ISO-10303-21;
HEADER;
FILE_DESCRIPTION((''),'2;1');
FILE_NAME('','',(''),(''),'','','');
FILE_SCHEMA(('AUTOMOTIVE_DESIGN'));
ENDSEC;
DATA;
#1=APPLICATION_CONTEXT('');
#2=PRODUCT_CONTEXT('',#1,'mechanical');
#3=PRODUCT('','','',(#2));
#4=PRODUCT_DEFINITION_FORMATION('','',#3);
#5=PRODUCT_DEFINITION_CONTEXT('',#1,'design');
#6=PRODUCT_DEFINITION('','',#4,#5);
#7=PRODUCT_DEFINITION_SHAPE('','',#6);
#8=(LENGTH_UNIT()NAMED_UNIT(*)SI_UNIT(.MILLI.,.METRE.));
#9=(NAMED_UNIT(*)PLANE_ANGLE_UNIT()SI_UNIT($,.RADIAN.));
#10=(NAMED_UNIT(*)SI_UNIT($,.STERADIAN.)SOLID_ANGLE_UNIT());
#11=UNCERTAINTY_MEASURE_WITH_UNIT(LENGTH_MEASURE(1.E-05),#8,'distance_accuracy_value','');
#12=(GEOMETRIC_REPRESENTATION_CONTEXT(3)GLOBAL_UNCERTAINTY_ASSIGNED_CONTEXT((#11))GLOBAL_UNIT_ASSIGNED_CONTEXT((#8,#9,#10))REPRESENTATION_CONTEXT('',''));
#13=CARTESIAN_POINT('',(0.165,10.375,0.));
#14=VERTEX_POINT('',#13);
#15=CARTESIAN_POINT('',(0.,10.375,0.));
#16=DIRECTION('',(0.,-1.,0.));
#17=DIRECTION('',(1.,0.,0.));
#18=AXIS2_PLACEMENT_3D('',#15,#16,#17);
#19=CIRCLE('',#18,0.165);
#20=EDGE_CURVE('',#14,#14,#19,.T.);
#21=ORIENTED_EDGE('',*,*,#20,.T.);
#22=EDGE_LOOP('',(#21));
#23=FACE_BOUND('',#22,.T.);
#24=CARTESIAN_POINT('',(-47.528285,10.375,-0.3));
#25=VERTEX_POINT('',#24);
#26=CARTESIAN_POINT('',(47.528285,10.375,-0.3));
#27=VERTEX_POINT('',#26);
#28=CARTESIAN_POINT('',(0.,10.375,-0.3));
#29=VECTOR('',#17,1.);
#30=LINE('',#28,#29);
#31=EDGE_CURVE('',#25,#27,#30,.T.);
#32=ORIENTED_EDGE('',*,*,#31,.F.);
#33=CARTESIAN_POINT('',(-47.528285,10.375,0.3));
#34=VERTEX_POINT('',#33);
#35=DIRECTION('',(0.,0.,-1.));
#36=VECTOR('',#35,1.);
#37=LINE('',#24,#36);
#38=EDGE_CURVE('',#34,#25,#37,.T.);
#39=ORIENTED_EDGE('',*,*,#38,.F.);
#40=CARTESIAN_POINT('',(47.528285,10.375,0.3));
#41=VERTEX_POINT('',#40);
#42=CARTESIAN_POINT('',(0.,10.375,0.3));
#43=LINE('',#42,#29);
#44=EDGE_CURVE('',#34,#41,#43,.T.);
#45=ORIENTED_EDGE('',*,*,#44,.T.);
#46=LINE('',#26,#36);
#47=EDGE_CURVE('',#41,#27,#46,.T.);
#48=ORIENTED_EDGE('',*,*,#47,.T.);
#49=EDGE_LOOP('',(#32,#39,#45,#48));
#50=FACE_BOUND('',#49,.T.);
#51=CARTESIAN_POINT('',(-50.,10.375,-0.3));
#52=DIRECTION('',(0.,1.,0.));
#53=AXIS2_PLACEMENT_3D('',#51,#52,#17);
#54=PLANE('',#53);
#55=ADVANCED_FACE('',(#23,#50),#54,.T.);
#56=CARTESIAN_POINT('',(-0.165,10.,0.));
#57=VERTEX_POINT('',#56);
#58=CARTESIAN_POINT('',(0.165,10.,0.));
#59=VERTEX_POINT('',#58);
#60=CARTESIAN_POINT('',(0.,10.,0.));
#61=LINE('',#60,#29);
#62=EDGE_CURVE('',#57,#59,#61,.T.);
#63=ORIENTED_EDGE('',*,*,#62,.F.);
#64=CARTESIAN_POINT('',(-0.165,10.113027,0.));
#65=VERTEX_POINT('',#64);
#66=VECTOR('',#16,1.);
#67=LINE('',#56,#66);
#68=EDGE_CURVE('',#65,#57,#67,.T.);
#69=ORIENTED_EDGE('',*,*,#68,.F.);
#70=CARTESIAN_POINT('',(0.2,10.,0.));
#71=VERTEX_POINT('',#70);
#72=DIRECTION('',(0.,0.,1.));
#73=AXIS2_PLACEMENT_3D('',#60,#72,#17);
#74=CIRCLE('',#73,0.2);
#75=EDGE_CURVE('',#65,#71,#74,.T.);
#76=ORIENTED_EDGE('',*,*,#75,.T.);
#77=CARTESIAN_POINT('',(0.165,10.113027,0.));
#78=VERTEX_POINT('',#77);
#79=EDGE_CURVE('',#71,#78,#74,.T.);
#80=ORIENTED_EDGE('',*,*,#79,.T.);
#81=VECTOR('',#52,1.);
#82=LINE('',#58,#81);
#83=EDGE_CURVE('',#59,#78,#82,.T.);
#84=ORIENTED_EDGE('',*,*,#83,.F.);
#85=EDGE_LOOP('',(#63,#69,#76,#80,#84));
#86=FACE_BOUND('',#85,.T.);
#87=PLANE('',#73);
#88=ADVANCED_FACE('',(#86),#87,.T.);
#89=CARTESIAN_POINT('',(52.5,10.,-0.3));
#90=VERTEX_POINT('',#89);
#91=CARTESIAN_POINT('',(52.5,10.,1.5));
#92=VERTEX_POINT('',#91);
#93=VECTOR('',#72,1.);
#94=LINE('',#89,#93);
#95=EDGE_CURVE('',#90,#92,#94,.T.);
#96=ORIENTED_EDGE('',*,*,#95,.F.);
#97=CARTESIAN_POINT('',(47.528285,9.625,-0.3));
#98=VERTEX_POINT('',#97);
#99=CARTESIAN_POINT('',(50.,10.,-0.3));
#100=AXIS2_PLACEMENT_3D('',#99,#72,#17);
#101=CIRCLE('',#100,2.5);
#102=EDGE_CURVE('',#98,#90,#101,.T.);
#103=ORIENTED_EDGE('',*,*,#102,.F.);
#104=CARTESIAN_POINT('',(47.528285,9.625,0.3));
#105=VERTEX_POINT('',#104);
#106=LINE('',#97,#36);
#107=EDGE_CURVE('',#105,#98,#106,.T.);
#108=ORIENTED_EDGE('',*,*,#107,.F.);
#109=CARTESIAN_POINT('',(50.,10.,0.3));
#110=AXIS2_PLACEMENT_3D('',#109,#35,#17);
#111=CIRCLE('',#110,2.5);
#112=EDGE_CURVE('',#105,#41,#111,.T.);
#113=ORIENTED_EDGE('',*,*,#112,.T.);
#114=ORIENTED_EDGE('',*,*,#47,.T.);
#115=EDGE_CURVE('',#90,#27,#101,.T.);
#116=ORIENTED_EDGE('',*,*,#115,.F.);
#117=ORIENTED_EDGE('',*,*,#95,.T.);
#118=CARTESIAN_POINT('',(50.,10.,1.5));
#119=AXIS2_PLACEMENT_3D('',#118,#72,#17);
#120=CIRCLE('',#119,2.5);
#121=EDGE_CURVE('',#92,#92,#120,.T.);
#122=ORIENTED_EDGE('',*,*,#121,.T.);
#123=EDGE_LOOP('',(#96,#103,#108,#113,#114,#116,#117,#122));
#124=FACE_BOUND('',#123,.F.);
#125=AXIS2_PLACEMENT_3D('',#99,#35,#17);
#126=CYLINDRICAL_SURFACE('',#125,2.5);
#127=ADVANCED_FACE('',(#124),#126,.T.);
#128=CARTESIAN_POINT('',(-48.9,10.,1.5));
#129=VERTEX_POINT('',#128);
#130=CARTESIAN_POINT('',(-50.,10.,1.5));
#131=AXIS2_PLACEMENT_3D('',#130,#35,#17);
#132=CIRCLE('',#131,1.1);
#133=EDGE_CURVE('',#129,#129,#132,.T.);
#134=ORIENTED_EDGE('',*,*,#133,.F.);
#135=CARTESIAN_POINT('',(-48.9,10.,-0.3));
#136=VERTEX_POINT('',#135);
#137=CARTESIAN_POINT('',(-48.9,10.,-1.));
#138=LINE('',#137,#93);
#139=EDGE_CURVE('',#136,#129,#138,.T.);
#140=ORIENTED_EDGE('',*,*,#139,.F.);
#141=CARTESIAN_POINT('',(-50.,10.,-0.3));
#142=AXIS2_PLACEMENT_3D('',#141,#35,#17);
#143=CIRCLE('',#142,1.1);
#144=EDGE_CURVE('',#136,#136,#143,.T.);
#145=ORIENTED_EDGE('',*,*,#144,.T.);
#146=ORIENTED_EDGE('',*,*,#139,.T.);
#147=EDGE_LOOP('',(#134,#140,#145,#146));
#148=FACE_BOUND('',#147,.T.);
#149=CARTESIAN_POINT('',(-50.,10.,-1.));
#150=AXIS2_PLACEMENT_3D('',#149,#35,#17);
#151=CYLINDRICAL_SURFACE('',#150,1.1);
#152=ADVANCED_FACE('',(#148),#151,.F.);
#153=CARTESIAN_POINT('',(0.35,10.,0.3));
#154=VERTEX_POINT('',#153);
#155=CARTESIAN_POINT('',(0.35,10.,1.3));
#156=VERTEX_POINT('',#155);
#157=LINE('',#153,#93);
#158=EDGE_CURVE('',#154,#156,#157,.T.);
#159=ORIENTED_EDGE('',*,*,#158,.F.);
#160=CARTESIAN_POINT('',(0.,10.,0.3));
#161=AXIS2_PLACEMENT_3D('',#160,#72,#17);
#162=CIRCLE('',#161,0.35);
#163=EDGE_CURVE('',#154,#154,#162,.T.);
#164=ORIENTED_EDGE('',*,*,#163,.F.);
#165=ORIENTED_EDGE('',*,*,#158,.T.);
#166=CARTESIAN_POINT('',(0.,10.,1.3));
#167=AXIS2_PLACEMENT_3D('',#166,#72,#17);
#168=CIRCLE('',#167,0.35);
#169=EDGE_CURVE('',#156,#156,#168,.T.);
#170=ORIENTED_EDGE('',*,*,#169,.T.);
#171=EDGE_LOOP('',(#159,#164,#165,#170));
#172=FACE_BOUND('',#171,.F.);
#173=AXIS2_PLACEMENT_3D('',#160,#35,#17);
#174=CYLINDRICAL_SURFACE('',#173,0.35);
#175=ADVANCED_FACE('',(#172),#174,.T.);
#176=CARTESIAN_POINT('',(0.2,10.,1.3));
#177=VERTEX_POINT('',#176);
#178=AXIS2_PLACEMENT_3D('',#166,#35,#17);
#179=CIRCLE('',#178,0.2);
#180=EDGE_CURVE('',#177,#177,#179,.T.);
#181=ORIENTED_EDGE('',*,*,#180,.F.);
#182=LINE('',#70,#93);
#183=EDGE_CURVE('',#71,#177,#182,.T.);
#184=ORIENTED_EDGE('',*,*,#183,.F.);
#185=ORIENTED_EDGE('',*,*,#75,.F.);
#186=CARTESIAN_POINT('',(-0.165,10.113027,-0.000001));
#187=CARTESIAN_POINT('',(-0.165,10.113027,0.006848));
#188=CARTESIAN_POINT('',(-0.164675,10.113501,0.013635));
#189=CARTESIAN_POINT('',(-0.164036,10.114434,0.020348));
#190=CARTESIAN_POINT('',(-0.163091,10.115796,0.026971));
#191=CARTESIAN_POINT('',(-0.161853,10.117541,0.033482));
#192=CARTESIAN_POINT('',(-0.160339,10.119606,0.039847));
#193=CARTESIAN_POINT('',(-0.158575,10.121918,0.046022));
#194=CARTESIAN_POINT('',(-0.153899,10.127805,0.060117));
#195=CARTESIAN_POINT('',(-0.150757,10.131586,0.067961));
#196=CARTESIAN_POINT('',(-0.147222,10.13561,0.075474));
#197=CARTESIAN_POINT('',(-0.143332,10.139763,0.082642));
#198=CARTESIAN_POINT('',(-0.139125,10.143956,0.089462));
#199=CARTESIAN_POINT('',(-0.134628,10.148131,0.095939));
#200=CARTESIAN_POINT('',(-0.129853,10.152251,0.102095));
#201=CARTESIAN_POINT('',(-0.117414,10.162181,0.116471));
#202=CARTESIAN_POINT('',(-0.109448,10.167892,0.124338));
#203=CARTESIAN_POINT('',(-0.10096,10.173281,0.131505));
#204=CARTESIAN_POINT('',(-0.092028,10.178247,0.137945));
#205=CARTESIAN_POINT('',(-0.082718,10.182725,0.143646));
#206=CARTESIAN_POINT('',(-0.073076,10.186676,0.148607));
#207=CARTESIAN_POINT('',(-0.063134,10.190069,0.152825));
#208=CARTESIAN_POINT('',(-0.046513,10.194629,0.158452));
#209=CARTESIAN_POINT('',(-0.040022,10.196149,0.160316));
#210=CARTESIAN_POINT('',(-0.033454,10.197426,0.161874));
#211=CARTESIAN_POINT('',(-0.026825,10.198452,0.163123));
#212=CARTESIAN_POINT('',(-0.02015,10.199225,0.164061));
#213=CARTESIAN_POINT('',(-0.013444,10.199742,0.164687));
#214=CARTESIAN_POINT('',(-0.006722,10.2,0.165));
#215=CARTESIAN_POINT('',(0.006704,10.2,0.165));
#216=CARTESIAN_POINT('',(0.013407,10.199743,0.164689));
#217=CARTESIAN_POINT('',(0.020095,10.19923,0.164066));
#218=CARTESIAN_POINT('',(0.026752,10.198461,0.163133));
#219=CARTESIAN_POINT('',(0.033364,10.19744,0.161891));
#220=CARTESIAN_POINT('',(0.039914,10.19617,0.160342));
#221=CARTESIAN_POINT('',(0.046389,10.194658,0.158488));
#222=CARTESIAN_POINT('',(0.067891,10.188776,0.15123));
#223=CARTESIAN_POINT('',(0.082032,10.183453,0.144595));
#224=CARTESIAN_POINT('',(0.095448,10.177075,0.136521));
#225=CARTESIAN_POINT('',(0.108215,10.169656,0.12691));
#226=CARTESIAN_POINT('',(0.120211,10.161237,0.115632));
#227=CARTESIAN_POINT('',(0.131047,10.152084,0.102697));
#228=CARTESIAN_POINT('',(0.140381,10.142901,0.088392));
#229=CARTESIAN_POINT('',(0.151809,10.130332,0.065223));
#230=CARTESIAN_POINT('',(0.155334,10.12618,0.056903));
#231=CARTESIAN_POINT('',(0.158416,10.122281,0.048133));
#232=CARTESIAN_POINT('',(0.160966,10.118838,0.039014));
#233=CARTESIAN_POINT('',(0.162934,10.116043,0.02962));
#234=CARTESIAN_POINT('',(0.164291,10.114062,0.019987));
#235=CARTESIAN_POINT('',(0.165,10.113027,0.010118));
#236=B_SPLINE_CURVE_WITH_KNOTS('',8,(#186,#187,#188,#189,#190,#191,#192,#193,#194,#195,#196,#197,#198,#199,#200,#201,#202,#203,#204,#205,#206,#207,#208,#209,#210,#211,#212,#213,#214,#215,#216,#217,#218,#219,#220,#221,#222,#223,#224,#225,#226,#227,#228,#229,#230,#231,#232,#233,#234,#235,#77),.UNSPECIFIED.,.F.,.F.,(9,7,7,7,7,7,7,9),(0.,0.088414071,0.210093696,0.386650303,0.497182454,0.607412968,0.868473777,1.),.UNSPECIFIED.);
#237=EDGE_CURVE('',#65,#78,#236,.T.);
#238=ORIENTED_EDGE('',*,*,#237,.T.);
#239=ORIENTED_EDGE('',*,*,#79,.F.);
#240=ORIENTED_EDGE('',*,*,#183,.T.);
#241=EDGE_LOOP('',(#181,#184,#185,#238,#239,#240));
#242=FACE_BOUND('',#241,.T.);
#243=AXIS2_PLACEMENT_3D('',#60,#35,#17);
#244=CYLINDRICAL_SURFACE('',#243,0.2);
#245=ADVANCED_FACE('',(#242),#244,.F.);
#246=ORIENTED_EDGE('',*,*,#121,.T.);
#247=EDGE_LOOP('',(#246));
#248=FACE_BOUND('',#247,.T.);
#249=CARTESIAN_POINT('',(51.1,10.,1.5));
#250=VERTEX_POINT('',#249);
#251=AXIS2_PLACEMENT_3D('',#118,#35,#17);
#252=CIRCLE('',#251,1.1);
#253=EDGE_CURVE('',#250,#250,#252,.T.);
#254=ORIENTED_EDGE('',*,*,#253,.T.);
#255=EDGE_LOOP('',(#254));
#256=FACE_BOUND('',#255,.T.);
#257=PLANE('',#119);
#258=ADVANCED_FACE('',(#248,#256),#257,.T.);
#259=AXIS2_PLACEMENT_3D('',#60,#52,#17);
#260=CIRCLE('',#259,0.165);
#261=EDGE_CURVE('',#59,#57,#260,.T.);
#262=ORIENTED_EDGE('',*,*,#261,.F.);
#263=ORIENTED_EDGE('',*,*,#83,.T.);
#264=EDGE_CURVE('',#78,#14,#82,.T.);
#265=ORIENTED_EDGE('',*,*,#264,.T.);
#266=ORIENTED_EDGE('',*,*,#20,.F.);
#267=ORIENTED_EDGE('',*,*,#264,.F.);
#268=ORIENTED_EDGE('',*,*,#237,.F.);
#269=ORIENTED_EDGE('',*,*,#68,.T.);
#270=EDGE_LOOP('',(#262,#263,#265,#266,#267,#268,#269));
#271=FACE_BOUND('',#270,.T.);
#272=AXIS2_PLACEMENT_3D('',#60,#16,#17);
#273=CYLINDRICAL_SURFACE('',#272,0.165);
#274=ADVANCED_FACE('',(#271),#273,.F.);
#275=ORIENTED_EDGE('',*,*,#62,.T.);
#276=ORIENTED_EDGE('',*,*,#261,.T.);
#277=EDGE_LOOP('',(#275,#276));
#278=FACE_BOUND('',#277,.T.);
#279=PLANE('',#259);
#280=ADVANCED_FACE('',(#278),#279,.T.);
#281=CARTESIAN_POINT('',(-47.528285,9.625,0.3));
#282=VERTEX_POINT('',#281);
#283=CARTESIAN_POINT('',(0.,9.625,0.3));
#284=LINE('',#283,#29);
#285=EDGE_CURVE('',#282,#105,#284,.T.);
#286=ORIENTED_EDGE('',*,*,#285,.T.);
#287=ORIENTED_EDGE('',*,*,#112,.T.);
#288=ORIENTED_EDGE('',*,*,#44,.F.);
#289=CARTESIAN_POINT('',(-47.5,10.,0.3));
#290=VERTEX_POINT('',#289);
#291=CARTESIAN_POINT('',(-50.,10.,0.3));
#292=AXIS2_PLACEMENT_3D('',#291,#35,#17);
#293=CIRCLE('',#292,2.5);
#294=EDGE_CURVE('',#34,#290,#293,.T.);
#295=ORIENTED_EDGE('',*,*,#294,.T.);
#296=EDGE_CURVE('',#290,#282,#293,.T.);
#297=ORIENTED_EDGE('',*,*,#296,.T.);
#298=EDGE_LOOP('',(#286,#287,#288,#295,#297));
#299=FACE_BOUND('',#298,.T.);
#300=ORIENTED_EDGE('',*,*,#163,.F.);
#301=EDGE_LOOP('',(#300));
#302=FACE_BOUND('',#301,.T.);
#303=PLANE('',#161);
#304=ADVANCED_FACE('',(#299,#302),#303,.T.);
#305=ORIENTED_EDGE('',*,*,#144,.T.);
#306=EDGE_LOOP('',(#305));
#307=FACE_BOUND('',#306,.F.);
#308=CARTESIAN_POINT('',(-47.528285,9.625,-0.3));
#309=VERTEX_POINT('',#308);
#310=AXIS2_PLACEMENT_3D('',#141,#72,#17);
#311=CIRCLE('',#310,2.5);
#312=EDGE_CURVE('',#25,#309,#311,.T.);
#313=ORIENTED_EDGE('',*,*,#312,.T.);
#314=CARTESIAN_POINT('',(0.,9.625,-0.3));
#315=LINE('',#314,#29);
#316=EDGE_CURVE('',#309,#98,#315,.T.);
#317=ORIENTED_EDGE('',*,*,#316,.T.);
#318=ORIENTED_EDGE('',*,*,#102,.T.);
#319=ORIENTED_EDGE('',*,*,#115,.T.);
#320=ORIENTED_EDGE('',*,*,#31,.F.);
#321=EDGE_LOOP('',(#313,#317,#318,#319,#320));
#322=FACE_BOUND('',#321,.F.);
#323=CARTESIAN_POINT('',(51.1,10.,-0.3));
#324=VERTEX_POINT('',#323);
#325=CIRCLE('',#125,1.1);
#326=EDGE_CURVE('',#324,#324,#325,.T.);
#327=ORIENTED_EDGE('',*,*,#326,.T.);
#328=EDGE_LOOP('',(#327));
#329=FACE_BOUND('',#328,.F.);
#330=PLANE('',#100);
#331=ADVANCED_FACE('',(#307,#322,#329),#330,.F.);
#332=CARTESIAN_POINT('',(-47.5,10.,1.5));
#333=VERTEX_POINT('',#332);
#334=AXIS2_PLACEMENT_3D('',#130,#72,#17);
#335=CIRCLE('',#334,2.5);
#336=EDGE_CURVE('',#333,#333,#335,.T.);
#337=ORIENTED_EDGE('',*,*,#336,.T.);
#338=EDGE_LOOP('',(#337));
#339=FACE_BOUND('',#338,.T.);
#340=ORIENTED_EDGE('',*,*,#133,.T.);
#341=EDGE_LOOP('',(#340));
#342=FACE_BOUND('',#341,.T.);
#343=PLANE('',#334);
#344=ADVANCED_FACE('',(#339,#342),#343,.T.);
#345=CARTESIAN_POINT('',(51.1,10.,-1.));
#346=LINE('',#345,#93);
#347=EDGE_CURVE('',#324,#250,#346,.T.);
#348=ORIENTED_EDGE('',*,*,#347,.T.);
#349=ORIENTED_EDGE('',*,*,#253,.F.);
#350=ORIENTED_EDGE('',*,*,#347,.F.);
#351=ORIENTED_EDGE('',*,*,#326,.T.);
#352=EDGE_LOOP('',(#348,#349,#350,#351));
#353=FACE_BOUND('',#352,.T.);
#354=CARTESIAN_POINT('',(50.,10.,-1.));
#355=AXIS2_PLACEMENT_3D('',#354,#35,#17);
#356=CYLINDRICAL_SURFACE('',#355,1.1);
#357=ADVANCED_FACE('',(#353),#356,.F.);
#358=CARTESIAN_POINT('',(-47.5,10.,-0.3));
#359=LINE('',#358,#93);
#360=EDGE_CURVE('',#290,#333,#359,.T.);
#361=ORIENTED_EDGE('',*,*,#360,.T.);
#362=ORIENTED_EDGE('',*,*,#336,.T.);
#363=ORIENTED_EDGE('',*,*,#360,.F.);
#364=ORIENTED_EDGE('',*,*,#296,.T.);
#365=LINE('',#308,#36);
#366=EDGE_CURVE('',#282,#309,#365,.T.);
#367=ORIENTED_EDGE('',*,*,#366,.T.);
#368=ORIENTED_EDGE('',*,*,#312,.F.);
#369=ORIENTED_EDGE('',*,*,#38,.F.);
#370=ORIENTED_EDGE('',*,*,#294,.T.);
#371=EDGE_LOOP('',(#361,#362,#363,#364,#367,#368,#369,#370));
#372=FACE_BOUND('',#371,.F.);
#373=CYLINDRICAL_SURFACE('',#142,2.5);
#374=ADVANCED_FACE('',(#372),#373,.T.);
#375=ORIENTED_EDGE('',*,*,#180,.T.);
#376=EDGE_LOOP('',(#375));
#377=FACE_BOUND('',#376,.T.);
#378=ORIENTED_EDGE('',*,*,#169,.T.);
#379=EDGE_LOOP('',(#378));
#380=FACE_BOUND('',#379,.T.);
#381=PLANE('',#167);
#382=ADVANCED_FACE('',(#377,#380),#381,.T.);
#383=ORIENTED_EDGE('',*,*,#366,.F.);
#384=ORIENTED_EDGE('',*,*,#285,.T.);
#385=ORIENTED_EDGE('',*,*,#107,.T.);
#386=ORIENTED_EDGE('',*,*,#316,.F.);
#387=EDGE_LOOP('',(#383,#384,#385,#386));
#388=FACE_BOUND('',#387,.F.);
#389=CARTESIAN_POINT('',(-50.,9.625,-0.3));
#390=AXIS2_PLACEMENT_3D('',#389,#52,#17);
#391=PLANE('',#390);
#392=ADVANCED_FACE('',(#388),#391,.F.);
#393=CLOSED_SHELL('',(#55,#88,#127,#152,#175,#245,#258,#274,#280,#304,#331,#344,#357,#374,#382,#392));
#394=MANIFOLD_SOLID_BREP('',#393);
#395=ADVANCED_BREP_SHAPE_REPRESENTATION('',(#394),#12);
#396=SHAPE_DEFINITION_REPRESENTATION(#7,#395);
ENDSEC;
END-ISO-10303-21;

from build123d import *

# Parameters (mm, degrees)
CYLINDER144_R     = 0.8
CYLINDER144_DEPTH = 10
CYLINDER136_R     = 0.2
CYLINDER136_DEPTH = 9
CYLINDER_R        = 1.1
CYLINDER_DEPTH    = 4
CYLINDER139_R     = 1.1
CYLINDER139_DEPTH = 4
CYLINDER138_R     = 0.165
CYLINDER138_DEPTH = 8
CYLINDER143_R     = 0.8
CYLINDER143_DEPTH = 10
CYLINDER142_R     = 2.5
CYLINDER142_DEPTH = 1.8
CYLINDER141_R     = 2.5
CYLINDER141_DEPTH = 1.8
CYLINDER140_R     = 0.35
CYLINDER140_DEPTH = 1
BOX_W             = 100
BOX_H             = 0.75
BOX_DEPTH         = 0.6


with BuildPart() as cylinder001:
    # Cylinder144 → Cylinder144 (new body)
    with BuildSketch(Plane(origin=(6.3, -2.8, -1), x_dir=(1, 0, 0), z_dir=(0, 0, 1))):
        Circle(CYLINDER144_R)
    extrude(amount=CYLINDER144_DEPTH)


with BuildPart() as bowtienozzle:
    # Cylinder136 → Cylinder136 (new body)
    with BuildSketch(Plane.XY):
        Circle(CYLINDER136_R)
    extrude(amount=CYLINDER136_DEPTH)


with BuildPart() as mountinghole1:
    # Cylinder → Cylinder (new body)
    with BuildSketch(Plane(origin=(-50, 0, -1), x_dir=(1, 0, 0), z_dir=(0, 0, 1))):
        Circle(CYLINDER_R)
    extrude(amount=CYLINDER_DEPTH)


with BuildPart() as mountinghole2:
    # Cylinder139 → Cylinder139 (new body)
    with BuildSketch(Plane(origin=(50, 0, -1), x_dir=(1, 0, 0), z_dir=(0, 0, 1))):
        Circle(CYLINDER139_R)
    extrude(amount=CYLINDER139_DEPTH)


with BuildPart() as fusion001:
    # Cylinder138 → Cylinder138 (new body)
    with BuildSketch(Plane(origin=(0, 0, 0), x_dir=(1, 0, 0), z_dir=(0, 1, 0))):
        Circle(CYLINDER138_R)
    extrude(amount=CYLINDER138_DEPTH)

    # Fusion001: union BowTieNozzle, MountingHole1, MountingHole2
    add(bowtienozzle.part)
    add(mountinghole1.part)
    add(mountinghole2.part)


with BuildPart() as fusion003:
    # Cylinder143 → Cylinder143 (new body)
    with BuildSketch(Plane(origin=(-6.3, -2.8, -1), x_dir=(1, 0, 0), z_dir=(0, 0, 1))):
        Circle(CYLINDER143_R)
    extrude(amount=CYLINDER143_DEPTH)

    # Fusion003: union Cylinder001, Fusion001
    add(cylinder001.part)
    add(fusion001.part)


with BuildPart() as mountingholeod001:
    # Cylinder142 → Cylinder142 (new body)
    with BuildSketch(Plane(origin=(50, 0, -0.3), x_dir=(1, 0, 0), z_dir=(0, 0, 1))):
        Circle(CYLINDER142_R)
    extrude(amount=CYLINDER142_DEPTH)


with BuildPart() as mountingholeod:
    # Cylinder141 → Cylinder141 (new body)
    with BuildSketch(Plane(origin=(-50, 0, -0.3), x_dir=(1, 0, 0), z_dir=(0, 0, 1))):
        Circle(CYLINDER141_R)
    extrude(amount=CYLINDER141_DEPTH)


with BuildPart() as nozzle_od:
    # Cylinder140 → Cylinder140 (new body)
    with BuildSketch(Plane.XY.offset(0.3)):
        Circle(CYLINDER140_R)
    extrude(amount=CYLINDER140_DEPTH)


with BuildPart() as cut004:
    # Box → Box (new body)
    with BuildSketch(Plane(origin=(-50, -0.375, -0.3), x_dir=(1, 0, 0), z_dir=(0, 0, 1))):
        with Locations((50, 0.375)):
            Rectangle(BOX_W, BOX_H)
    extrude(amount=BOX_DEPTH)

    # Fusion: union MountingHoleOD001, MountingHoleOD, Nozzle_OD
    add(mountingholeod001.part)
    add(mountingholeod.part)
    add(nozzle_od.part)

    # Cut004: cut Fusion003
    add(fusion003.part, mode=Mode.SUBTRACT)


with BuildPart() as cut004_1:
    # Cut004 placement: moved
    add(cut004.part.moved(Location((0, 10, 0))))


solid = cut004_1.part
